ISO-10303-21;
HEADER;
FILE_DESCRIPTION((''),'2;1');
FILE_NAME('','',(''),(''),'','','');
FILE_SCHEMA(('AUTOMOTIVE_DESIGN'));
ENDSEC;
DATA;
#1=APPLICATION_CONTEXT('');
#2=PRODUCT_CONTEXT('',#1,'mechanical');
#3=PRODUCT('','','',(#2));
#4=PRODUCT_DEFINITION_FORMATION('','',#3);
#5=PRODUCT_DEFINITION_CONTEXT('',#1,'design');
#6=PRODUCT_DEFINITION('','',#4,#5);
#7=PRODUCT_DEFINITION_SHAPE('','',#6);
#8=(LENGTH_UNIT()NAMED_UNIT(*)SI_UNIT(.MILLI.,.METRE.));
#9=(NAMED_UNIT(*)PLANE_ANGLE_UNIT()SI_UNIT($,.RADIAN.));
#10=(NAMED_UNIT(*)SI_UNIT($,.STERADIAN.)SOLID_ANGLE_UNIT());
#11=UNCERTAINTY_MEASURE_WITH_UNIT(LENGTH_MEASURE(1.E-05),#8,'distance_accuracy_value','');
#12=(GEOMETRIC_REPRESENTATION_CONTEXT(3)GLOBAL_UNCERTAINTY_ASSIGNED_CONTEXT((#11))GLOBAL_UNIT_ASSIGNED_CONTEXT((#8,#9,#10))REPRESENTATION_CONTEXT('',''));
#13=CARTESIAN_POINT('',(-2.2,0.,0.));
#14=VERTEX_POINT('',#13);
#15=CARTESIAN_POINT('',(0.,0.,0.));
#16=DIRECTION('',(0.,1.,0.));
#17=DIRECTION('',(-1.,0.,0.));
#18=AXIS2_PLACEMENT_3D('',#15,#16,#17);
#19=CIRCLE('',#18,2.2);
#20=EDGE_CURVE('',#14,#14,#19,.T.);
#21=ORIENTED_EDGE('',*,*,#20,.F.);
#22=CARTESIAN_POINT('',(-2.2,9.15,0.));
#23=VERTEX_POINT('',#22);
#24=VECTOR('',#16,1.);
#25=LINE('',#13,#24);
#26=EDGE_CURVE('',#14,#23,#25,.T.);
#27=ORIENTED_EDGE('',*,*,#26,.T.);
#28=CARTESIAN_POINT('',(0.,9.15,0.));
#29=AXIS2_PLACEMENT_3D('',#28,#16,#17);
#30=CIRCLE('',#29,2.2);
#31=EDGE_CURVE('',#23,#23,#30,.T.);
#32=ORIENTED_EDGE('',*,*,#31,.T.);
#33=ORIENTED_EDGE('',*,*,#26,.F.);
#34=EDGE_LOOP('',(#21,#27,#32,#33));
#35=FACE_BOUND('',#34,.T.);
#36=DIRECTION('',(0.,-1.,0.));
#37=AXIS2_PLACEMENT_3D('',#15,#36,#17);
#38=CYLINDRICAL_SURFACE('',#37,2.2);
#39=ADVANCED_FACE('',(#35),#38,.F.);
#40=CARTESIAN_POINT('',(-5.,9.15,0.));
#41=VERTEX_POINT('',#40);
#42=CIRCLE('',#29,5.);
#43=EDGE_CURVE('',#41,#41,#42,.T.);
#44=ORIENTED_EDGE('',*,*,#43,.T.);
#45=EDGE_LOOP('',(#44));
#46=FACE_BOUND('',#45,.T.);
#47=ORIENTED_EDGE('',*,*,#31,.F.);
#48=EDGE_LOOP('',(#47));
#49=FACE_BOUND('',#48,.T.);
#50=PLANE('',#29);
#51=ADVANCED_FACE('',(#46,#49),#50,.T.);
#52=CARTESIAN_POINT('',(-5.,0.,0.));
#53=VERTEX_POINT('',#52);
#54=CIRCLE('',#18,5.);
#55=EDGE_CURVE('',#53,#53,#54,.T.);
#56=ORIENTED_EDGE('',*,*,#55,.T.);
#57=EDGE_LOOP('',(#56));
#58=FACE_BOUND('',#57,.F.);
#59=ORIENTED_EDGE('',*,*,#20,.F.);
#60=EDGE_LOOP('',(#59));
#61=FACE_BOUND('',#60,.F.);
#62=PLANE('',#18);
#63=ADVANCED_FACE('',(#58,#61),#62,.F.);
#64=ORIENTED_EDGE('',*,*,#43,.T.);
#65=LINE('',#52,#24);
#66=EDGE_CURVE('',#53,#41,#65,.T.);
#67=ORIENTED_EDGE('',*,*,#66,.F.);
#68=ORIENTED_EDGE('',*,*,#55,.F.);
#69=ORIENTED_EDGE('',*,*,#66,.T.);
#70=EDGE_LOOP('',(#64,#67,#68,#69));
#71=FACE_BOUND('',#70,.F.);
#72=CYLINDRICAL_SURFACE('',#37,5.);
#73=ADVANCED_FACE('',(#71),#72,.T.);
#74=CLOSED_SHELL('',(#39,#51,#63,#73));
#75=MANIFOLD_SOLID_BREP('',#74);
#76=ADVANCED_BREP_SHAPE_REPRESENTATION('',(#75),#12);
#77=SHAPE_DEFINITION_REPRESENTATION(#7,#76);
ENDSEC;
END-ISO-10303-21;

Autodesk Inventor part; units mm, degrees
ref_plane "YZ Plane" through (0, 0, 0) normal (1, 0, 0) x (0, 1, 0)
ref_plane "XZ Plane" through (0, 0, 0) normal (0, 1, 0) x (-1, 0, 0)
ref_plane "XY Plane" through (0, 0, 0) normal (0, 0, 1) x (1, 0, 0)
sketch "Sketch1" plane through (0, 0, 0) normal (0, 1, 0) x (-1, 0, 0)
  circle A0 centre (0, 0) radius 5
  circle A1 centre (0, 0) radius 2.2
  dimension "d0" = 10
  dimension "d1" = 4.4
extrude "Extrusion1" add sketch "Sketch1" along normal blind 9.15
properties part number "YAxisBeltIdlerSpacer" material "ABS Plastic"
